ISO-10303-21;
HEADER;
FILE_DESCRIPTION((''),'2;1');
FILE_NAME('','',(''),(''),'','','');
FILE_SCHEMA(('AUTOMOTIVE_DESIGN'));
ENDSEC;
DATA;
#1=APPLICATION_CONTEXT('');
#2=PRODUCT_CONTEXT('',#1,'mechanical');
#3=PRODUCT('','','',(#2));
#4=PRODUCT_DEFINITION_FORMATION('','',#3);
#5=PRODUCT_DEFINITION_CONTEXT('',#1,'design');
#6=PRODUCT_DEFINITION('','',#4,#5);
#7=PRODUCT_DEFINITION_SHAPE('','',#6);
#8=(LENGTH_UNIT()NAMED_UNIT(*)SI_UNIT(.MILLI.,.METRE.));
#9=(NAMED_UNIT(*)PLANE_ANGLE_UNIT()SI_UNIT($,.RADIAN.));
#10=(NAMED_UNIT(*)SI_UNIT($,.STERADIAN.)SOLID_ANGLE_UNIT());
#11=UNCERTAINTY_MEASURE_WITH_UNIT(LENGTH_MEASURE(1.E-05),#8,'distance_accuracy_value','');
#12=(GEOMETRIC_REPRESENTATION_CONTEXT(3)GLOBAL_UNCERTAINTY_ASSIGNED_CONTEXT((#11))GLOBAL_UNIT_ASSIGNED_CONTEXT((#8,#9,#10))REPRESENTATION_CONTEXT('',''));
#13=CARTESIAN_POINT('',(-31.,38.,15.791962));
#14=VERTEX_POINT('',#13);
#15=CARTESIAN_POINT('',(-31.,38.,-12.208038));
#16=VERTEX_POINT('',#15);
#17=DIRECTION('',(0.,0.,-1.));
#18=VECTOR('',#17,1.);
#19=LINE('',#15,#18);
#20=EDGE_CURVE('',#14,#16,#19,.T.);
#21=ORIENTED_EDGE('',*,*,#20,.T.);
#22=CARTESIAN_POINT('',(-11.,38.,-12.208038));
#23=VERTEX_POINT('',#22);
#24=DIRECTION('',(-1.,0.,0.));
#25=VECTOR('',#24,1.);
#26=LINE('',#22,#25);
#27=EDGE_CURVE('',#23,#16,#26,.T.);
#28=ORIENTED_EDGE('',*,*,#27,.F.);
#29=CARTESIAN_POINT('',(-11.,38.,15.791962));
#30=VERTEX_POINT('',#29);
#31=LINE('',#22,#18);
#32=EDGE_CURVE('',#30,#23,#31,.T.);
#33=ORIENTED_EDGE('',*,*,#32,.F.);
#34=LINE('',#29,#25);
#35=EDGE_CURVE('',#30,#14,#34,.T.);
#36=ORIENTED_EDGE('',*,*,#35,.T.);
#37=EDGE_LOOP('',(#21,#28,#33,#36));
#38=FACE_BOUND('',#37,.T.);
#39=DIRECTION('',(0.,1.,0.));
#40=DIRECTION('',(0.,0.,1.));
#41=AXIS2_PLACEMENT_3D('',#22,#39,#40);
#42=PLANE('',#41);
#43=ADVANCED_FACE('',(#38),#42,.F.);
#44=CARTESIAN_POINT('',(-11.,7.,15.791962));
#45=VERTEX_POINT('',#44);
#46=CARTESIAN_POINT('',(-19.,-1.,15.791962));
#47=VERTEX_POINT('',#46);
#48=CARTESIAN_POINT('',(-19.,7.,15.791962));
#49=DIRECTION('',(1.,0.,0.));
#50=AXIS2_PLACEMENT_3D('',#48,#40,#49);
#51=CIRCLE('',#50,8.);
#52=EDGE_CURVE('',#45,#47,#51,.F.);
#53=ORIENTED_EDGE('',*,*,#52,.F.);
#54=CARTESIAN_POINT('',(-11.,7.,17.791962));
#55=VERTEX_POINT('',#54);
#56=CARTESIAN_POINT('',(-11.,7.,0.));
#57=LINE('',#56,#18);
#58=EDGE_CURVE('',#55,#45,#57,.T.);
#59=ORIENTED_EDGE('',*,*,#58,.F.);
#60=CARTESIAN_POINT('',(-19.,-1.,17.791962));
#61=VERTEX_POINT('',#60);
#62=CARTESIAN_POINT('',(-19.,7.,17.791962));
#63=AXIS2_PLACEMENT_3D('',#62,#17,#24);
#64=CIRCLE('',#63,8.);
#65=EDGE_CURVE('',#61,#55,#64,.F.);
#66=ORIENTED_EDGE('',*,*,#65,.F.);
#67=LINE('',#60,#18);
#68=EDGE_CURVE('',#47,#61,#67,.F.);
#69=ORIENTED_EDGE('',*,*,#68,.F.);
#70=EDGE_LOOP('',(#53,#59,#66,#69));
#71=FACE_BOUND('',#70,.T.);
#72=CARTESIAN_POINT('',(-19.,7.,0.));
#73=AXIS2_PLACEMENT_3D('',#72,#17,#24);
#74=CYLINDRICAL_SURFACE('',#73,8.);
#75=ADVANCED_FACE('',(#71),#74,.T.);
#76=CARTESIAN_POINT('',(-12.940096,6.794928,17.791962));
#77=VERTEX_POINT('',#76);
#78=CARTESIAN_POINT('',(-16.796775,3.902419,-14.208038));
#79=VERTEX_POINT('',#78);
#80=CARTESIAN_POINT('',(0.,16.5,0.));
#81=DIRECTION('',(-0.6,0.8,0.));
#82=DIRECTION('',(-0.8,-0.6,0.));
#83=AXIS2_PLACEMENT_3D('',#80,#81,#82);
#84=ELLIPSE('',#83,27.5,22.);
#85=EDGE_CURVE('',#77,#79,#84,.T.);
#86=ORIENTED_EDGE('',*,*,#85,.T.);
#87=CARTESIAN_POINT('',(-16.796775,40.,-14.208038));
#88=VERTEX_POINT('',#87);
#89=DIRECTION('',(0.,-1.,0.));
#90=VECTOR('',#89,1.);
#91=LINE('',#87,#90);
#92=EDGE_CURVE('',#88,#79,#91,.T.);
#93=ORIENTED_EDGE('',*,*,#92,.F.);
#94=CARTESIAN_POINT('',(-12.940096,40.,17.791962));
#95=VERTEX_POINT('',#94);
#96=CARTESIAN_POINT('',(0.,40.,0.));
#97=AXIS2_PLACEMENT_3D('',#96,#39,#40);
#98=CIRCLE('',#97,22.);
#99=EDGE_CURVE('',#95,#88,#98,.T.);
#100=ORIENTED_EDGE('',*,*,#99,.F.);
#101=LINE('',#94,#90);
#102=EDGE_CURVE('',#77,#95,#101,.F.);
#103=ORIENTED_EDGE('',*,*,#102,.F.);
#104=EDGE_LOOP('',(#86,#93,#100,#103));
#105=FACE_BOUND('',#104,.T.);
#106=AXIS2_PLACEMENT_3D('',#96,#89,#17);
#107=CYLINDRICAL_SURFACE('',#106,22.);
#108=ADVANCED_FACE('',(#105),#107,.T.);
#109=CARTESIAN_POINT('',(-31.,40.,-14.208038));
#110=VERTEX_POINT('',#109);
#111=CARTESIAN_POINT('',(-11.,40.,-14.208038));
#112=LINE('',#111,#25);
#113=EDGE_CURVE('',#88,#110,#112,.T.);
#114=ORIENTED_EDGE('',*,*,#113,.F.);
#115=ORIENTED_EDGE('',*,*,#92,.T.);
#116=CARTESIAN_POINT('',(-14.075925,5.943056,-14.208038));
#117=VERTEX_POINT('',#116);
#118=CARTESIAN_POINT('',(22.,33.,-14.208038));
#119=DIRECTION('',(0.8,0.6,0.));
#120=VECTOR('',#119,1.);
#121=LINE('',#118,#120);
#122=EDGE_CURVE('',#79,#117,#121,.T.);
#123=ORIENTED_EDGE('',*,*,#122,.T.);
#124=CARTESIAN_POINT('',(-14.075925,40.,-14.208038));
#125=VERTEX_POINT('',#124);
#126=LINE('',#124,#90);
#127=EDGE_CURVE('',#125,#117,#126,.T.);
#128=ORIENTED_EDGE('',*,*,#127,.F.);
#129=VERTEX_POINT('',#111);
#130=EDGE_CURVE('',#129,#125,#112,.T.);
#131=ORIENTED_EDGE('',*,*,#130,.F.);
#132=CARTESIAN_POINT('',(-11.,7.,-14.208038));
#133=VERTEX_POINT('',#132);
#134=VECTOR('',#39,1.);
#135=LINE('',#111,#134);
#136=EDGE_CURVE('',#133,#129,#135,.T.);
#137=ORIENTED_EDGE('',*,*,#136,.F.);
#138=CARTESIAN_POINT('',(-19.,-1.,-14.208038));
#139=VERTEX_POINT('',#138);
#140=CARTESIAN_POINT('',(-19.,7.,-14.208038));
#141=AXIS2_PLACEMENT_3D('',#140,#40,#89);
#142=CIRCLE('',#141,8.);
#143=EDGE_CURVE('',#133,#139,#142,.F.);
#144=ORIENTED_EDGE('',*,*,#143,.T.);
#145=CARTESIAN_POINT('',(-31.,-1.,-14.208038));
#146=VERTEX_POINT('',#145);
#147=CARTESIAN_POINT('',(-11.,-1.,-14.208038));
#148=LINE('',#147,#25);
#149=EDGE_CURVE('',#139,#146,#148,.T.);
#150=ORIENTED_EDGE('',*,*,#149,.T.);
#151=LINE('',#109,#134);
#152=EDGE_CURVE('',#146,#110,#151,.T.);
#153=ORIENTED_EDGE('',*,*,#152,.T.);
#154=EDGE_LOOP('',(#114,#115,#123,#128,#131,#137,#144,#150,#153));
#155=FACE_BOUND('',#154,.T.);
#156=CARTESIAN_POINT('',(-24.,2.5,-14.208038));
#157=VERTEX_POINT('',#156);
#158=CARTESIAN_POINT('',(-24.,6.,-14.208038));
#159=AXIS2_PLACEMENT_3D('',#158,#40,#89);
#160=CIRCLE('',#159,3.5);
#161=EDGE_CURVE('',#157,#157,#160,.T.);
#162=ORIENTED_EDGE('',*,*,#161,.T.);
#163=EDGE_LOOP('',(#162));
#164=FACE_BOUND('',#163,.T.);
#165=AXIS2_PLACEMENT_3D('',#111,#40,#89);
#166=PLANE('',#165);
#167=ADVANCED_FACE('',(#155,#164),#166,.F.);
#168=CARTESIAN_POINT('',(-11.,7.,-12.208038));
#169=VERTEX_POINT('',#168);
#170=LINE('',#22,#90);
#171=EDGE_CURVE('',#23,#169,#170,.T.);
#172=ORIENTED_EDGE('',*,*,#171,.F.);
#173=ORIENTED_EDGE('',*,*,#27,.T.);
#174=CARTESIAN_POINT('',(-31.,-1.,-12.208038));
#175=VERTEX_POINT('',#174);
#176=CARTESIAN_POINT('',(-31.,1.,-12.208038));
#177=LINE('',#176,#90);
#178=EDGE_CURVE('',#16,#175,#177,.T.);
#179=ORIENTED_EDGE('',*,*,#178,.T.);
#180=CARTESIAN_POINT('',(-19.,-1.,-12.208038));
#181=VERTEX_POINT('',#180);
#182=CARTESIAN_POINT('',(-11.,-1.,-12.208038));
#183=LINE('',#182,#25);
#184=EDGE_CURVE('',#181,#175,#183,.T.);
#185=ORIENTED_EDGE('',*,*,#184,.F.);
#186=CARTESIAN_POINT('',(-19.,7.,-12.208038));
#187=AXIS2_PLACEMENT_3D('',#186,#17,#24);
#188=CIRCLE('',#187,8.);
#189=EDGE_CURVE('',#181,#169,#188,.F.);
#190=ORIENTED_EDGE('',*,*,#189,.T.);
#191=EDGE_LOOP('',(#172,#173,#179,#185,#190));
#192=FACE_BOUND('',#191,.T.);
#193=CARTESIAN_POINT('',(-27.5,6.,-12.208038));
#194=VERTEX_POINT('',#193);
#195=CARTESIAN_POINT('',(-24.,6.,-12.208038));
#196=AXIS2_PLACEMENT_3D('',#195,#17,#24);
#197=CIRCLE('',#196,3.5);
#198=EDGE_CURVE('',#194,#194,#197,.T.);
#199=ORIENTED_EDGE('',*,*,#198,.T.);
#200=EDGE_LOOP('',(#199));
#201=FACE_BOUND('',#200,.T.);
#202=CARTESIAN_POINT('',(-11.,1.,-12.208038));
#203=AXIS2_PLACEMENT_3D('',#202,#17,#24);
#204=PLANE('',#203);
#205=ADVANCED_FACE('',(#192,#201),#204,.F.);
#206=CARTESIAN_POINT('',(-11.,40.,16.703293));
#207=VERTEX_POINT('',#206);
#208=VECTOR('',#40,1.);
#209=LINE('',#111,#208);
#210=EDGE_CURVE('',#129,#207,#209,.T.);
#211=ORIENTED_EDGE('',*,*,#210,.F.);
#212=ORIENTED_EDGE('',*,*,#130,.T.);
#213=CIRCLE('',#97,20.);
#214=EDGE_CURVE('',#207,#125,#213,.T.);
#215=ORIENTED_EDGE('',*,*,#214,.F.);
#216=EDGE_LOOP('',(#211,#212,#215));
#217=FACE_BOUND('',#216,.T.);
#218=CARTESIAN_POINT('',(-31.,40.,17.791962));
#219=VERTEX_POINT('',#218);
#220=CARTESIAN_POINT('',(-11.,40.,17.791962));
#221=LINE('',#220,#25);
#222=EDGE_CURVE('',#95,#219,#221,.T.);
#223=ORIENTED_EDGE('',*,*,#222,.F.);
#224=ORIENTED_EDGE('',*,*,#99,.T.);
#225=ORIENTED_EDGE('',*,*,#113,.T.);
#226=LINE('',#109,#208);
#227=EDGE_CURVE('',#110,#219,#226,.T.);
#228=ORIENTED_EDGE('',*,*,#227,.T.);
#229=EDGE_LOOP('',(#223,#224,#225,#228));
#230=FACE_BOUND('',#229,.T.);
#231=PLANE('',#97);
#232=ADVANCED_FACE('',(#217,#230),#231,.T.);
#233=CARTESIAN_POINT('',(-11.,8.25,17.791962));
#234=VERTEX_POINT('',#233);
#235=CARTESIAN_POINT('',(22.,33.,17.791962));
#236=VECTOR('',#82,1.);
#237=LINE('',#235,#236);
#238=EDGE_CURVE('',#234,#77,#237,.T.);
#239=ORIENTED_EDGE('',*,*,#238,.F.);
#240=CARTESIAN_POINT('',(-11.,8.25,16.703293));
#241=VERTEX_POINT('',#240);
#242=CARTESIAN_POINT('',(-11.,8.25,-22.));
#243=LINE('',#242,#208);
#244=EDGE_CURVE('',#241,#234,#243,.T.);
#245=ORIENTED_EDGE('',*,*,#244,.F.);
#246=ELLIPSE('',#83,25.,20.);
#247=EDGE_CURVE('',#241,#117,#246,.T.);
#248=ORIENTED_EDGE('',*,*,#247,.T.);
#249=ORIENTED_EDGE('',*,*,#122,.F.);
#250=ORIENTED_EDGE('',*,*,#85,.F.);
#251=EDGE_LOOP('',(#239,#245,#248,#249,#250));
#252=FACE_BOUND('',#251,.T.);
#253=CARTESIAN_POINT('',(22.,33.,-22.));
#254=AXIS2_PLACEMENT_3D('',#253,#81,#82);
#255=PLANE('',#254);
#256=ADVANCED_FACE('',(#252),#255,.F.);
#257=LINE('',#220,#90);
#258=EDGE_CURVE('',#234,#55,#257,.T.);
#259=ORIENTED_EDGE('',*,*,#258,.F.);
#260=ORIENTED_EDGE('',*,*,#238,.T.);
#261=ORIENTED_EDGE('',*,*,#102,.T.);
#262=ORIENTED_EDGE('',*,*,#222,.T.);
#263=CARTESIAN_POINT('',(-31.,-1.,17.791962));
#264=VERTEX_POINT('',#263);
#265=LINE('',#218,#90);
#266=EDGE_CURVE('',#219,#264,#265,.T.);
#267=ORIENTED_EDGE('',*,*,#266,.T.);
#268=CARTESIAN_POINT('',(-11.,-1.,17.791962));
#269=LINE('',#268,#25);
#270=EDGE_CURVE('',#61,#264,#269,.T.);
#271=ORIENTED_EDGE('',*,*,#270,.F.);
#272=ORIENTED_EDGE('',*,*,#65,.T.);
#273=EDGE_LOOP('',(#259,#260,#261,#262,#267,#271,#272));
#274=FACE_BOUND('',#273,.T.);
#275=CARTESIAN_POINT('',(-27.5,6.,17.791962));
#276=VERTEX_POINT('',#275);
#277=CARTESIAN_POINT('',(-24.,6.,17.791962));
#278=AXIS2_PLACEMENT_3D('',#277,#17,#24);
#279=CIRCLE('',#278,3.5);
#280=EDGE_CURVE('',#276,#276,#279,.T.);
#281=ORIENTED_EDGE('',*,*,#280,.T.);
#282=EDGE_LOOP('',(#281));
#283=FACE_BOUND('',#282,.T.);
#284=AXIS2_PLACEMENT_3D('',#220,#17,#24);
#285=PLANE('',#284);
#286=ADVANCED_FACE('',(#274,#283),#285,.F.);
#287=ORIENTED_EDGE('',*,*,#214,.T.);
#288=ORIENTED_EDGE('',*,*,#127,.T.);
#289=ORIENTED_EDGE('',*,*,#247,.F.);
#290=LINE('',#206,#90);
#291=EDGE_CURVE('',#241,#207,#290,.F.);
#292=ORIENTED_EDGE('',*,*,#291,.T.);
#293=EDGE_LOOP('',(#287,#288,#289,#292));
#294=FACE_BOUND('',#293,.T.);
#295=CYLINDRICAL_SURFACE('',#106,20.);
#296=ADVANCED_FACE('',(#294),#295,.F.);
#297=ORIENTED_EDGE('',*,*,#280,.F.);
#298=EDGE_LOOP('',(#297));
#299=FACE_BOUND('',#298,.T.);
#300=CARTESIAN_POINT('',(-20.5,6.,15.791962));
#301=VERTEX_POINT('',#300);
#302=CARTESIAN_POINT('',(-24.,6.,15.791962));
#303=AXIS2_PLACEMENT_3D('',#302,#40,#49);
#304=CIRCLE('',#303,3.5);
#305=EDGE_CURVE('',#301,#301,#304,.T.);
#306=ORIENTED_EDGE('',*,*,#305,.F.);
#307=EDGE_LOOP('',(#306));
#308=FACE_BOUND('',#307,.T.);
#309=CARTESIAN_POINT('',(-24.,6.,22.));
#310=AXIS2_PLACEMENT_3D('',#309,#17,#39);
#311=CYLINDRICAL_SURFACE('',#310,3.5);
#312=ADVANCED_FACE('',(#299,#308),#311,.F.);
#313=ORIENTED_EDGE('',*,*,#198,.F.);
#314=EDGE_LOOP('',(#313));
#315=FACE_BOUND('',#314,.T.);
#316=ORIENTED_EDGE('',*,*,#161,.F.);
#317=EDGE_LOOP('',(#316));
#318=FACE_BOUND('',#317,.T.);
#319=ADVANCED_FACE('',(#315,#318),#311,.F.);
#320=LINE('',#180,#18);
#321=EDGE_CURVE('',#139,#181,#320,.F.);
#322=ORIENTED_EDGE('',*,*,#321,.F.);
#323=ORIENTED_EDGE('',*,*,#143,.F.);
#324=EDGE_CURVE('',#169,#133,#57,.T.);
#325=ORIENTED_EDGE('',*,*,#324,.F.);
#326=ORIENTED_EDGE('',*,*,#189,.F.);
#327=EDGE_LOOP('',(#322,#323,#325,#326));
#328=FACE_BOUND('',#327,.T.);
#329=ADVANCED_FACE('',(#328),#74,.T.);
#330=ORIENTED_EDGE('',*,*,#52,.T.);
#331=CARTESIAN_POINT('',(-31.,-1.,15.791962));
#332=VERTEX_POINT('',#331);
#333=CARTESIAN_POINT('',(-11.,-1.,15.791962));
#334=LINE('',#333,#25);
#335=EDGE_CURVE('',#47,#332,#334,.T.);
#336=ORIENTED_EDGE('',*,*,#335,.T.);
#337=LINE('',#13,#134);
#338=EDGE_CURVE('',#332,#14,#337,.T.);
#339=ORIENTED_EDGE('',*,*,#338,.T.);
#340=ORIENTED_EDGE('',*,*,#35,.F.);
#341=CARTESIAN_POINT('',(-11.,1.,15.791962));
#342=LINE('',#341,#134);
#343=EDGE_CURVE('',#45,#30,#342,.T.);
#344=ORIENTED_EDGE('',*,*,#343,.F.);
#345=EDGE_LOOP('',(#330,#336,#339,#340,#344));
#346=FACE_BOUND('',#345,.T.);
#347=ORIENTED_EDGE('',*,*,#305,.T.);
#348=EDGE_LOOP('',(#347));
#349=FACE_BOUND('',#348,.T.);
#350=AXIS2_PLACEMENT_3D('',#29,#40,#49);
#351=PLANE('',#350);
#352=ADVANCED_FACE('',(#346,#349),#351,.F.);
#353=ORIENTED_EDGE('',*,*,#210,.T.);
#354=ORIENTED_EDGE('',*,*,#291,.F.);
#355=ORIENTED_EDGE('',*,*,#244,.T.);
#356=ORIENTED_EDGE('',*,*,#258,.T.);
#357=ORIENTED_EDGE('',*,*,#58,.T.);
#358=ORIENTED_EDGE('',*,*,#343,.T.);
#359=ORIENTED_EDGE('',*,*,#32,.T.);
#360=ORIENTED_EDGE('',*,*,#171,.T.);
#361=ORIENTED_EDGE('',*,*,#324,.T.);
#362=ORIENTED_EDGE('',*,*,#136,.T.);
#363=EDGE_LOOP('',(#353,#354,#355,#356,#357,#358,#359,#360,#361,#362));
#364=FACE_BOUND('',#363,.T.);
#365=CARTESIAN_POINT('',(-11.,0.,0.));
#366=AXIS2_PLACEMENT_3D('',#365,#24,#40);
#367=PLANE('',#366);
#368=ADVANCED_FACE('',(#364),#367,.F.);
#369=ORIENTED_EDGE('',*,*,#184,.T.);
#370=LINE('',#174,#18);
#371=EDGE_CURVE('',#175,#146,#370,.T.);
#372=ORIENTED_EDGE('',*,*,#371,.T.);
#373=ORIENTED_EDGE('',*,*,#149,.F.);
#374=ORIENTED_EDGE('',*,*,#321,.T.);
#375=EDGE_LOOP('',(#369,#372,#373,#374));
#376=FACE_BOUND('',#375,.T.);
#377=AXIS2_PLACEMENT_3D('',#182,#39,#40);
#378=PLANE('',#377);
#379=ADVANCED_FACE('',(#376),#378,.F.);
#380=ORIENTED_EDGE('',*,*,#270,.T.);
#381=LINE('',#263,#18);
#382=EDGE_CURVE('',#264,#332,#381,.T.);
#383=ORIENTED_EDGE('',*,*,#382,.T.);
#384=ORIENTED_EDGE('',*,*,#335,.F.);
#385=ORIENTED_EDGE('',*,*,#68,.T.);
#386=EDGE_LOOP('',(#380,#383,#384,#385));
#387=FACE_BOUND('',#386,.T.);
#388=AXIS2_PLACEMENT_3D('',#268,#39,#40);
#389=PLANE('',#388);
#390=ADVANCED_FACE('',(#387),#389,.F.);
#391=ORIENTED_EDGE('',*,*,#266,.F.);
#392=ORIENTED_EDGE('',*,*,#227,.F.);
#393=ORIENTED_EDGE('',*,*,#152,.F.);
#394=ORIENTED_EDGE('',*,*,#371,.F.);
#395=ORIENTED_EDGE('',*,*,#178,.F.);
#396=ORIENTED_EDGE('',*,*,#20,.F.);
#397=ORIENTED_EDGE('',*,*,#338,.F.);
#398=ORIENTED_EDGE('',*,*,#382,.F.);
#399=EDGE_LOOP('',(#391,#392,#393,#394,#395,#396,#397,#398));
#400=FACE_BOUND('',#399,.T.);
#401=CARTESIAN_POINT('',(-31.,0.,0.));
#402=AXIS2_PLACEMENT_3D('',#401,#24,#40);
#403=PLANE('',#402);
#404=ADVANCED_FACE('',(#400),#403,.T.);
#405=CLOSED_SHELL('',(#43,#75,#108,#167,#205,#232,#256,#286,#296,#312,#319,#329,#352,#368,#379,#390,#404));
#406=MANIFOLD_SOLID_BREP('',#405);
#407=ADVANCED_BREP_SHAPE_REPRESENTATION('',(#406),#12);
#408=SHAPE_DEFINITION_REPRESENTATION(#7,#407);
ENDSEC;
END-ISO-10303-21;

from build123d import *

# Parameters (mm, degrees)
SKETCH1_R               = 22
SKETCH1_R_2             = 20
BOSS_EXTRUDE1_DEPTH     = 40
CUT_EXTRUDE1_DEPTH      = 23
CUT_EXTRUDE1_DEPTH_BACK = 23
BOSS_EXTRUDE2_DEPTH     = 20
SKETCH4_W               = 28
SKETCH4_H               = 39
CUT_EXTRUDE2_DEPTH      = 32
SKETCH5_R               = 3.5
CUT_EXTRUDE3_DEPTH      = 8.79196205
CUT_EXTRUDE3_DEPTH_BACK = 37.20803795
FILLET1_R               = 8


with BuildPart() as part:
    # Sketch1 → Boss-Extrude1 (new body)
    with BuildSketch(Plane(origin=(0, 0, 0), x_dir=(1, 0, 0), z_dir=(0, 1, 0))):
        Circle(SKETCH1_R)
        Circle(SKETCH1_R_2, mode=Mode.SUBTRACT)
    extrude(amount=BOSS_EXTRUDE1_DEPTH)

    # Sketch2 → Cut-Extrude1 (cut, two sides)
    with BuildSketch(Plane.XY) as cut_extrude1_sk:
        Polygon((22, 33), (-22, 0), (22, 0), align=None)
    extrude(amount=CUT_EXTRUDE1_DEPTH, mode=Mode.SUBTRACT)
    extrude(cut_extrude1_sk.sketch, amount=-CUT_EXTRUDE1_DEPTH_BACK, mode=Mode.SUBTRACT)

    # Sketch3 → Boss-Extrude2 (add)
    with BuildSketch(Plane(origin=(-31, 0, 0), x_dir=(0, 0, -1), z_dir=(1, 0, 0))):
        Polygon((14.20803795, 40), (-17.79196205, 40), (-17.79196205, -1), (-15.79196205, -1), (-15.79196205, 1), (-15.79196205, 38), (12.20803795, 38), (12.20803795, 1), (12.20803795, -1), (14.20803795, -1), align=None)
    extrude(amount=BOSS_EXTRUDE2_DEPTH)

    # Sketch4 → Cut-Extrude2 (cut, through all)
    with BuildSketch(Plane(origin=(0, 0, 0), x_dir=(0, 0, -1), z_dir=(1, 0, 0))):
        with Locations((-1.79196205, 18.5)):
            Rectangle(SKETCH4_W, SKETCH4_H)
    extrude(amount=-CUT_EXTRUDE2_DEPTH, mode=Mode.SUBTRACT)

    # Sketch5 → Cut-Extrude3 (cut, two sides)
    with BuildSketch(Plane(origin=(0, 0, -14.20803795), x_dir=(-1, 0, 0), z_dir=(0, 0, -1))) as cut_extrude3_sk:
        with Locations((24, 6)):
            Circle(SKETCH5_R)
    extrude(amount=CUT_EXTRUDE3_DEPTH, mode=Mode.SUBTRACT)
    extrude(cut_extrude3_sk.sketch, amount=-CUT_EXTRUDE3_DEPTH_BACK, mode=Mode.SUBTRACT)

    # Fillet1
    fillet1_edges = [part.edges().sort_by_distance(p)[0] for p in [
        (-11, -1, 16.79196205),
        (-11, -1, -13.20803795),
    ]]
    fillet(fillet1_edges, radius=FILLET1_R)


solid = part.part
